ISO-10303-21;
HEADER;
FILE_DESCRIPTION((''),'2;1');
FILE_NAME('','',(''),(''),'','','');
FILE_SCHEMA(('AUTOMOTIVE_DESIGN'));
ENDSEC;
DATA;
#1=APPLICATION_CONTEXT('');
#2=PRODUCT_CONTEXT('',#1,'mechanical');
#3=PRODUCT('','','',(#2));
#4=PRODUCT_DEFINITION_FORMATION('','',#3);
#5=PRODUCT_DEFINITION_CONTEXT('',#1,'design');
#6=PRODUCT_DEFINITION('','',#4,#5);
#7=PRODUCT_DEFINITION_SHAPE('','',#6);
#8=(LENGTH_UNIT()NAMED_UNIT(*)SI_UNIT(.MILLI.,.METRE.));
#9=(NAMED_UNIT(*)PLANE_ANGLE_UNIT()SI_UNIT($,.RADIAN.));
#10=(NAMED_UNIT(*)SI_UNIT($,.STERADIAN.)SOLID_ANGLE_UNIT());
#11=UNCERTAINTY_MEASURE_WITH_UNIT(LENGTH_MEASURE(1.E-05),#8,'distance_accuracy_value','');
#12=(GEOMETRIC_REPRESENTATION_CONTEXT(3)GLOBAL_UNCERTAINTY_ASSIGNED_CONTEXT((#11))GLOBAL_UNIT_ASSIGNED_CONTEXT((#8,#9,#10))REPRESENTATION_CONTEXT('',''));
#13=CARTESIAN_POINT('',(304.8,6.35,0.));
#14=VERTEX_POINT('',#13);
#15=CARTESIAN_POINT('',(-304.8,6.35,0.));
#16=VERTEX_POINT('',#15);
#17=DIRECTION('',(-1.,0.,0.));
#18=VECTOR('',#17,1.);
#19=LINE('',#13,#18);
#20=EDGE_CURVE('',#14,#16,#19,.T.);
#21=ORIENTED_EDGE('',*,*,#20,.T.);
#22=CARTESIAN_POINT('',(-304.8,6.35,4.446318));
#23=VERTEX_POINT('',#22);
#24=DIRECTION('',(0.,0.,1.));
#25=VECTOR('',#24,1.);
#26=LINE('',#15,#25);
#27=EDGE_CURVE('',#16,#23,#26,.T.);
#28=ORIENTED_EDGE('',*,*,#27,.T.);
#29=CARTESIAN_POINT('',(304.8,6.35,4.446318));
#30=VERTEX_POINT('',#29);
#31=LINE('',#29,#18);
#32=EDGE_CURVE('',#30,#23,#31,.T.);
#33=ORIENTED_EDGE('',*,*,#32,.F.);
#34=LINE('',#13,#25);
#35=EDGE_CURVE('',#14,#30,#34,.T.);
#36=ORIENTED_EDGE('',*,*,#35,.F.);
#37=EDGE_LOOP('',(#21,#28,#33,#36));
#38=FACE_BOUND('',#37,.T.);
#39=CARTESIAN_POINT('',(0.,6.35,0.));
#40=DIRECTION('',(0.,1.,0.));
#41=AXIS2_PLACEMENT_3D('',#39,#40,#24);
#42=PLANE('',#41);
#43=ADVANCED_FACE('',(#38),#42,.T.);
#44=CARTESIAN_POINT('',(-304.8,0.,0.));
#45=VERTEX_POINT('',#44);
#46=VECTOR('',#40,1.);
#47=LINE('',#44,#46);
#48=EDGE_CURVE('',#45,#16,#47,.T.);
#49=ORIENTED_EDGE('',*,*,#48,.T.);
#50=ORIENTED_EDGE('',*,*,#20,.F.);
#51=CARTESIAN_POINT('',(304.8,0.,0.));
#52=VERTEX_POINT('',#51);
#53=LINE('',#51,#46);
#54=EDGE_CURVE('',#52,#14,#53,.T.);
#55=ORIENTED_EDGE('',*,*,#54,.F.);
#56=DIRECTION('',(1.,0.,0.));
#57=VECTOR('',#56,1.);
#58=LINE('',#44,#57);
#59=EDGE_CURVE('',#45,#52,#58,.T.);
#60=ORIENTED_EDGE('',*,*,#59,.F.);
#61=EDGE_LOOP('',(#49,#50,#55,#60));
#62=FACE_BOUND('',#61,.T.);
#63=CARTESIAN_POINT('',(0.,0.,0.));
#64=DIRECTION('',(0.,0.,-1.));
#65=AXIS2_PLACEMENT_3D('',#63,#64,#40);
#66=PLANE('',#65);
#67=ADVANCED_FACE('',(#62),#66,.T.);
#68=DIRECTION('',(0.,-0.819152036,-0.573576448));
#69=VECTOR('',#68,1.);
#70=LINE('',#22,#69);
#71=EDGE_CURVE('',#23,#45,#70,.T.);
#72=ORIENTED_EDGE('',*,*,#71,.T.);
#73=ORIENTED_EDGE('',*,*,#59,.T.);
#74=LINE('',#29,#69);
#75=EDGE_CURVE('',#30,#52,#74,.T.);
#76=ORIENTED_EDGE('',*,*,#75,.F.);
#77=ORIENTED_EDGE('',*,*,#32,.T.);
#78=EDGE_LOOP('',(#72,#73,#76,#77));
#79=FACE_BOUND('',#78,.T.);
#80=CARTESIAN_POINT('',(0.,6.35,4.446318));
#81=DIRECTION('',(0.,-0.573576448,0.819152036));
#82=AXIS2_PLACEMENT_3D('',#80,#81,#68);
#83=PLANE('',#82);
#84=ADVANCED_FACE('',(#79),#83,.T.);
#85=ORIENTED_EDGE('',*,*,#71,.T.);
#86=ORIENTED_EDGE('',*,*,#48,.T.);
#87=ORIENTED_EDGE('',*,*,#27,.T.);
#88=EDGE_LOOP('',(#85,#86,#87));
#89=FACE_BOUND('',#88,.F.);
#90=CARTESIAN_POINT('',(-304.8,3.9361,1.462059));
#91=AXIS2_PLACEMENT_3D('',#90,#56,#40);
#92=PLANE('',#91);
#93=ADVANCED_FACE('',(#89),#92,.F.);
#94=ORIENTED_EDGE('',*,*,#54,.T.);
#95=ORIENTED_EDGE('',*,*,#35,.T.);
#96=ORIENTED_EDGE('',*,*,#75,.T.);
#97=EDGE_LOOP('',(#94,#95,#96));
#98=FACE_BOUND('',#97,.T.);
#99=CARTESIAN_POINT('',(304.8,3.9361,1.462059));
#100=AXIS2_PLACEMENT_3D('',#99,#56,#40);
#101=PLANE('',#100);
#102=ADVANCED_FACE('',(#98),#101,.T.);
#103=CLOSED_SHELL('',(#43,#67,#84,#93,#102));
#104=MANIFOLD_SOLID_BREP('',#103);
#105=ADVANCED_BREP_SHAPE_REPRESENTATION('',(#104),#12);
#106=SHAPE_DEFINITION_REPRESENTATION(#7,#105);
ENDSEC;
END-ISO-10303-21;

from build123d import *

# Parameters (mm, degrees)
F1_DEPTH = 304.8


with BuildPart() as f1:
    # F0 (on Right) → F1 (new body, symmetric)
    with BuildSketch(Plane.YZ):
        Polygon((6.35, 4.446318), (0, 0), (6.35, 0), align=None)
    extrude(amount=F1_DEPTH, both=True)


solid = f1.part
